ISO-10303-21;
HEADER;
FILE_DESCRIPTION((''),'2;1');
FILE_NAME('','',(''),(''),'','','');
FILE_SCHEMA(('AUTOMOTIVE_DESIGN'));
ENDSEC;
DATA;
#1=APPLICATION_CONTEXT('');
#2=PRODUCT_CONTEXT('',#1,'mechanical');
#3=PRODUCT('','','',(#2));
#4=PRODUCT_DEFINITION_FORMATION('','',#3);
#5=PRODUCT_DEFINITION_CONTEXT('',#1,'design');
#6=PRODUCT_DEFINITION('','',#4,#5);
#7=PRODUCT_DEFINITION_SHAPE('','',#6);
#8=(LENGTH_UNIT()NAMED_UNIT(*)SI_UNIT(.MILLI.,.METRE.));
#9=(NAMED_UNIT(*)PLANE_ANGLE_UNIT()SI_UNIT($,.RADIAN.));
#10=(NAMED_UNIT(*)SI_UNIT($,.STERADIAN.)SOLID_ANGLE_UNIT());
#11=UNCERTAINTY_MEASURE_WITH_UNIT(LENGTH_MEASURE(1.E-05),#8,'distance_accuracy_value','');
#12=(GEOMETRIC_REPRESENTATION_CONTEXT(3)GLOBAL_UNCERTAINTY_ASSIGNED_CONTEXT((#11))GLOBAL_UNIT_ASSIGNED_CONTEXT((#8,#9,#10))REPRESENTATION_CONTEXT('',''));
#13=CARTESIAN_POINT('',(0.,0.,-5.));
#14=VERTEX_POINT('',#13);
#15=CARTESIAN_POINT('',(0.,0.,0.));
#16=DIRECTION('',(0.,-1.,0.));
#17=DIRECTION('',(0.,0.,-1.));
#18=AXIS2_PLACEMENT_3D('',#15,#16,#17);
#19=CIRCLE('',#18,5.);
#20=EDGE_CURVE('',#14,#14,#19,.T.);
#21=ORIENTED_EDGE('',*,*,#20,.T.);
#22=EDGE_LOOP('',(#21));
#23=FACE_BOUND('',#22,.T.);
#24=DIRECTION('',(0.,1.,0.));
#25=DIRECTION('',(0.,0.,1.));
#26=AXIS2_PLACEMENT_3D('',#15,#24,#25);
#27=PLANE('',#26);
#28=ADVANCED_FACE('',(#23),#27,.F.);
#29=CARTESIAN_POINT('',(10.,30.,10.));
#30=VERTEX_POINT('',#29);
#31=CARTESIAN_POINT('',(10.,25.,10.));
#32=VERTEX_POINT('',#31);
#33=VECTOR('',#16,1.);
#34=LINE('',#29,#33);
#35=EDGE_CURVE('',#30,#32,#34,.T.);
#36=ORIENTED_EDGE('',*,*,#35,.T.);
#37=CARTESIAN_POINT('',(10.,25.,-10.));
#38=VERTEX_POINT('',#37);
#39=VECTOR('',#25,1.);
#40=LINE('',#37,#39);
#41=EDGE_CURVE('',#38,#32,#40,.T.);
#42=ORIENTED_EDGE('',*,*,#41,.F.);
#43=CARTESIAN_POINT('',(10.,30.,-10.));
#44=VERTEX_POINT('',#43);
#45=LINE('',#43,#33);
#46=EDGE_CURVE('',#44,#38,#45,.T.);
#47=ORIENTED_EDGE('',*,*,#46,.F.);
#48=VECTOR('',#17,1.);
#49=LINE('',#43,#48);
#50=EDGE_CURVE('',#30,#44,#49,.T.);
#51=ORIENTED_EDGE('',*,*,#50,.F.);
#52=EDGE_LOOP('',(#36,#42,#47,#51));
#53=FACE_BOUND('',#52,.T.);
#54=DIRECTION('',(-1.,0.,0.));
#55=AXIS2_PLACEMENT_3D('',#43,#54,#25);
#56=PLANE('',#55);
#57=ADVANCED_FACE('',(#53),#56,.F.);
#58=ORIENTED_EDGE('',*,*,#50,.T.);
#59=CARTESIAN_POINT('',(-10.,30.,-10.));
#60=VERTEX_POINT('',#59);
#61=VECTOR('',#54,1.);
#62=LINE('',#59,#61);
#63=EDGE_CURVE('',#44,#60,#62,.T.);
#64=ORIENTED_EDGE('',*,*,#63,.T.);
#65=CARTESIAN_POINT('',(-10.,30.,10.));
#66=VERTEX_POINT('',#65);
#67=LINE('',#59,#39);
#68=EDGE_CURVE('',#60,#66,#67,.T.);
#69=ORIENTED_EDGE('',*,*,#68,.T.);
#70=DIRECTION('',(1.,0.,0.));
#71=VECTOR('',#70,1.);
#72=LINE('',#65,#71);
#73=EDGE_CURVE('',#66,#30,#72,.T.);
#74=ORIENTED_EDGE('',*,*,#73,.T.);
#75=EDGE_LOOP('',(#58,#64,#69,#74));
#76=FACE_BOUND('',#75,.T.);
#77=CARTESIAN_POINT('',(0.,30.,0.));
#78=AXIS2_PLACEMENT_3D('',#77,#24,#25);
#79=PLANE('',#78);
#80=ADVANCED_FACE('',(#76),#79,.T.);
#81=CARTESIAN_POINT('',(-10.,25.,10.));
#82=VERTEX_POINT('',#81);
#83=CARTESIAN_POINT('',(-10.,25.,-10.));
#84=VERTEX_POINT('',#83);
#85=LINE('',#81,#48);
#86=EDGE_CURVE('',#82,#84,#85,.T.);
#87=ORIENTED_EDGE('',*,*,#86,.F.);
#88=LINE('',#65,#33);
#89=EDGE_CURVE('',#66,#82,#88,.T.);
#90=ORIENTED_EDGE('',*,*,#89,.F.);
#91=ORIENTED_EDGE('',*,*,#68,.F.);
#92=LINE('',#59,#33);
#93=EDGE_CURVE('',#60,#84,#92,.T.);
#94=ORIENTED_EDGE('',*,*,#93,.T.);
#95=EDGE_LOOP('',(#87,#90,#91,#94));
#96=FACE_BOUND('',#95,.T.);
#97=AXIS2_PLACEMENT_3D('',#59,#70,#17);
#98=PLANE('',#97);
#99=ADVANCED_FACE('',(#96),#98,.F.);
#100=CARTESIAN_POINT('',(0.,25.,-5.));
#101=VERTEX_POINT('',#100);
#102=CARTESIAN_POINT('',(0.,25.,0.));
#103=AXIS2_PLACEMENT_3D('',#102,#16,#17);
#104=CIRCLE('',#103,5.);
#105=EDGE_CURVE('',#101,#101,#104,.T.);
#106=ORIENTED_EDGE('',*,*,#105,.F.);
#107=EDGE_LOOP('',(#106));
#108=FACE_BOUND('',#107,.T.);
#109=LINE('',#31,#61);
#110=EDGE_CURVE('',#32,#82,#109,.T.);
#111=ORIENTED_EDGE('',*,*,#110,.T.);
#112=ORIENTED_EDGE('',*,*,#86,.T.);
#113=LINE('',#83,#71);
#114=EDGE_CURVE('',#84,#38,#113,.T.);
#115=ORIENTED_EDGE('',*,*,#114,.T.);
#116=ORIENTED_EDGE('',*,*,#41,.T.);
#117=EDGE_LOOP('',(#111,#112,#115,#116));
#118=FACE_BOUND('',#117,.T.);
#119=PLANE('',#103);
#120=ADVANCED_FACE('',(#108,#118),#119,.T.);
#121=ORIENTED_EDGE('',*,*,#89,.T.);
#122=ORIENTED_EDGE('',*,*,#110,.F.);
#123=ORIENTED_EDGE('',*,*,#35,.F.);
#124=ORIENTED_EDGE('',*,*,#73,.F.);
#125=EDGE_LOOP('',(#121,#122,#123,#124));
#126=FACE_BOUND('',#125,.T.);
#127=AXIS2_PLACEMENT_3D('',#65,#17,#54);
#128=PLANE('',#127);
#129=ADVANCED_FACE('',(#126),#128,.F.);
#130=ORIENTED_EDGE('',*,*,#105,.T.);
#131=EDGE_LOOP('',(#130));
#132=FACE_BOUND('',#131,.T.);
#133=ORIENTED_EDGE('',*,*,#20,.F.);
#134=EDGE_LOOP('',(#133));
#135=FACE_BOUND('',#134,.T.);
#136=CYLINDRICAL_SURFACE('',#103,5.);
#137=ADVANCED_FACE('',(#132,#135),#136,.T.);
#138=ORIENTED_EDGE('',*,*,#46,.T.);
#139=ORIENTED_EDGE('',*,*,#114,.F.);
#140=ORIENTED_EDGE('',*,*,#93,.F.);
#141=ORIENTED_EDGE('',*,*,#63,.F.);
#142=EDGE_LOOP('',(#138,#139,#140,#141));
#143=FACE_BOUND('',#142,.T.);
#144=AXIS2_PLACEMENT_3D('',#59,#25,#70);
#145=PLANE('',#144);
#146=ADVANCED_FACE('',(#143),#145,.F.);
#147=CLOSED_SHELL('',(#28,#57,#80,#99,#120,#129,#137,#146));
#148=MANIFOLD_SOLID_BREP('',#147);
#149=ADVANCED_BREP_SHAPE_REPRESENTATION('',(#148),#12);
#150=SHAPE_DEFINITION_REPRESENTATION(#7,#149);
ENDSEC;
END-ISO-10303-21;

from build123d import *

# Parameters (mm, degrees)
SKETCH_1_W          = 20
SKETCH_1_H          = 20
EXTRUDE_1_DEPTH     = 30
SKETCH_3_W          = 20
SKETCH_3_H          = 20
SKETCH_3_R          = 5
CUT_EXTRUDE_1_DEPTH = 25


with BuildPart() as part:
    # Эскиз1 → Бобышка-Вытянуть1 (new body)
    with BuildSketch(Plane(origin=(0, 0, 0), x_dir=(1, 0, 0), z_dir=(0, 1, 0))):
        Rectangle(SKETCH_1_W, SKETCH_1_H)
    extrude(amount=EXTRUDE_1_DEPTH)

    # Эскиз3 → Вырез-Вытянуть1 (cut)
    with BuildSketch(Plane.XZ):
        Rectangle(SKETCH_3_W, SKETCH_3_H)
        Circle(SKETCH_3_R, mode=Mode.SUBTRACT)
    extrude(amount=-CUT_EXTRUDE_1_DEPTH, mode=Mode.SUBTRACT)


solid = part.part
